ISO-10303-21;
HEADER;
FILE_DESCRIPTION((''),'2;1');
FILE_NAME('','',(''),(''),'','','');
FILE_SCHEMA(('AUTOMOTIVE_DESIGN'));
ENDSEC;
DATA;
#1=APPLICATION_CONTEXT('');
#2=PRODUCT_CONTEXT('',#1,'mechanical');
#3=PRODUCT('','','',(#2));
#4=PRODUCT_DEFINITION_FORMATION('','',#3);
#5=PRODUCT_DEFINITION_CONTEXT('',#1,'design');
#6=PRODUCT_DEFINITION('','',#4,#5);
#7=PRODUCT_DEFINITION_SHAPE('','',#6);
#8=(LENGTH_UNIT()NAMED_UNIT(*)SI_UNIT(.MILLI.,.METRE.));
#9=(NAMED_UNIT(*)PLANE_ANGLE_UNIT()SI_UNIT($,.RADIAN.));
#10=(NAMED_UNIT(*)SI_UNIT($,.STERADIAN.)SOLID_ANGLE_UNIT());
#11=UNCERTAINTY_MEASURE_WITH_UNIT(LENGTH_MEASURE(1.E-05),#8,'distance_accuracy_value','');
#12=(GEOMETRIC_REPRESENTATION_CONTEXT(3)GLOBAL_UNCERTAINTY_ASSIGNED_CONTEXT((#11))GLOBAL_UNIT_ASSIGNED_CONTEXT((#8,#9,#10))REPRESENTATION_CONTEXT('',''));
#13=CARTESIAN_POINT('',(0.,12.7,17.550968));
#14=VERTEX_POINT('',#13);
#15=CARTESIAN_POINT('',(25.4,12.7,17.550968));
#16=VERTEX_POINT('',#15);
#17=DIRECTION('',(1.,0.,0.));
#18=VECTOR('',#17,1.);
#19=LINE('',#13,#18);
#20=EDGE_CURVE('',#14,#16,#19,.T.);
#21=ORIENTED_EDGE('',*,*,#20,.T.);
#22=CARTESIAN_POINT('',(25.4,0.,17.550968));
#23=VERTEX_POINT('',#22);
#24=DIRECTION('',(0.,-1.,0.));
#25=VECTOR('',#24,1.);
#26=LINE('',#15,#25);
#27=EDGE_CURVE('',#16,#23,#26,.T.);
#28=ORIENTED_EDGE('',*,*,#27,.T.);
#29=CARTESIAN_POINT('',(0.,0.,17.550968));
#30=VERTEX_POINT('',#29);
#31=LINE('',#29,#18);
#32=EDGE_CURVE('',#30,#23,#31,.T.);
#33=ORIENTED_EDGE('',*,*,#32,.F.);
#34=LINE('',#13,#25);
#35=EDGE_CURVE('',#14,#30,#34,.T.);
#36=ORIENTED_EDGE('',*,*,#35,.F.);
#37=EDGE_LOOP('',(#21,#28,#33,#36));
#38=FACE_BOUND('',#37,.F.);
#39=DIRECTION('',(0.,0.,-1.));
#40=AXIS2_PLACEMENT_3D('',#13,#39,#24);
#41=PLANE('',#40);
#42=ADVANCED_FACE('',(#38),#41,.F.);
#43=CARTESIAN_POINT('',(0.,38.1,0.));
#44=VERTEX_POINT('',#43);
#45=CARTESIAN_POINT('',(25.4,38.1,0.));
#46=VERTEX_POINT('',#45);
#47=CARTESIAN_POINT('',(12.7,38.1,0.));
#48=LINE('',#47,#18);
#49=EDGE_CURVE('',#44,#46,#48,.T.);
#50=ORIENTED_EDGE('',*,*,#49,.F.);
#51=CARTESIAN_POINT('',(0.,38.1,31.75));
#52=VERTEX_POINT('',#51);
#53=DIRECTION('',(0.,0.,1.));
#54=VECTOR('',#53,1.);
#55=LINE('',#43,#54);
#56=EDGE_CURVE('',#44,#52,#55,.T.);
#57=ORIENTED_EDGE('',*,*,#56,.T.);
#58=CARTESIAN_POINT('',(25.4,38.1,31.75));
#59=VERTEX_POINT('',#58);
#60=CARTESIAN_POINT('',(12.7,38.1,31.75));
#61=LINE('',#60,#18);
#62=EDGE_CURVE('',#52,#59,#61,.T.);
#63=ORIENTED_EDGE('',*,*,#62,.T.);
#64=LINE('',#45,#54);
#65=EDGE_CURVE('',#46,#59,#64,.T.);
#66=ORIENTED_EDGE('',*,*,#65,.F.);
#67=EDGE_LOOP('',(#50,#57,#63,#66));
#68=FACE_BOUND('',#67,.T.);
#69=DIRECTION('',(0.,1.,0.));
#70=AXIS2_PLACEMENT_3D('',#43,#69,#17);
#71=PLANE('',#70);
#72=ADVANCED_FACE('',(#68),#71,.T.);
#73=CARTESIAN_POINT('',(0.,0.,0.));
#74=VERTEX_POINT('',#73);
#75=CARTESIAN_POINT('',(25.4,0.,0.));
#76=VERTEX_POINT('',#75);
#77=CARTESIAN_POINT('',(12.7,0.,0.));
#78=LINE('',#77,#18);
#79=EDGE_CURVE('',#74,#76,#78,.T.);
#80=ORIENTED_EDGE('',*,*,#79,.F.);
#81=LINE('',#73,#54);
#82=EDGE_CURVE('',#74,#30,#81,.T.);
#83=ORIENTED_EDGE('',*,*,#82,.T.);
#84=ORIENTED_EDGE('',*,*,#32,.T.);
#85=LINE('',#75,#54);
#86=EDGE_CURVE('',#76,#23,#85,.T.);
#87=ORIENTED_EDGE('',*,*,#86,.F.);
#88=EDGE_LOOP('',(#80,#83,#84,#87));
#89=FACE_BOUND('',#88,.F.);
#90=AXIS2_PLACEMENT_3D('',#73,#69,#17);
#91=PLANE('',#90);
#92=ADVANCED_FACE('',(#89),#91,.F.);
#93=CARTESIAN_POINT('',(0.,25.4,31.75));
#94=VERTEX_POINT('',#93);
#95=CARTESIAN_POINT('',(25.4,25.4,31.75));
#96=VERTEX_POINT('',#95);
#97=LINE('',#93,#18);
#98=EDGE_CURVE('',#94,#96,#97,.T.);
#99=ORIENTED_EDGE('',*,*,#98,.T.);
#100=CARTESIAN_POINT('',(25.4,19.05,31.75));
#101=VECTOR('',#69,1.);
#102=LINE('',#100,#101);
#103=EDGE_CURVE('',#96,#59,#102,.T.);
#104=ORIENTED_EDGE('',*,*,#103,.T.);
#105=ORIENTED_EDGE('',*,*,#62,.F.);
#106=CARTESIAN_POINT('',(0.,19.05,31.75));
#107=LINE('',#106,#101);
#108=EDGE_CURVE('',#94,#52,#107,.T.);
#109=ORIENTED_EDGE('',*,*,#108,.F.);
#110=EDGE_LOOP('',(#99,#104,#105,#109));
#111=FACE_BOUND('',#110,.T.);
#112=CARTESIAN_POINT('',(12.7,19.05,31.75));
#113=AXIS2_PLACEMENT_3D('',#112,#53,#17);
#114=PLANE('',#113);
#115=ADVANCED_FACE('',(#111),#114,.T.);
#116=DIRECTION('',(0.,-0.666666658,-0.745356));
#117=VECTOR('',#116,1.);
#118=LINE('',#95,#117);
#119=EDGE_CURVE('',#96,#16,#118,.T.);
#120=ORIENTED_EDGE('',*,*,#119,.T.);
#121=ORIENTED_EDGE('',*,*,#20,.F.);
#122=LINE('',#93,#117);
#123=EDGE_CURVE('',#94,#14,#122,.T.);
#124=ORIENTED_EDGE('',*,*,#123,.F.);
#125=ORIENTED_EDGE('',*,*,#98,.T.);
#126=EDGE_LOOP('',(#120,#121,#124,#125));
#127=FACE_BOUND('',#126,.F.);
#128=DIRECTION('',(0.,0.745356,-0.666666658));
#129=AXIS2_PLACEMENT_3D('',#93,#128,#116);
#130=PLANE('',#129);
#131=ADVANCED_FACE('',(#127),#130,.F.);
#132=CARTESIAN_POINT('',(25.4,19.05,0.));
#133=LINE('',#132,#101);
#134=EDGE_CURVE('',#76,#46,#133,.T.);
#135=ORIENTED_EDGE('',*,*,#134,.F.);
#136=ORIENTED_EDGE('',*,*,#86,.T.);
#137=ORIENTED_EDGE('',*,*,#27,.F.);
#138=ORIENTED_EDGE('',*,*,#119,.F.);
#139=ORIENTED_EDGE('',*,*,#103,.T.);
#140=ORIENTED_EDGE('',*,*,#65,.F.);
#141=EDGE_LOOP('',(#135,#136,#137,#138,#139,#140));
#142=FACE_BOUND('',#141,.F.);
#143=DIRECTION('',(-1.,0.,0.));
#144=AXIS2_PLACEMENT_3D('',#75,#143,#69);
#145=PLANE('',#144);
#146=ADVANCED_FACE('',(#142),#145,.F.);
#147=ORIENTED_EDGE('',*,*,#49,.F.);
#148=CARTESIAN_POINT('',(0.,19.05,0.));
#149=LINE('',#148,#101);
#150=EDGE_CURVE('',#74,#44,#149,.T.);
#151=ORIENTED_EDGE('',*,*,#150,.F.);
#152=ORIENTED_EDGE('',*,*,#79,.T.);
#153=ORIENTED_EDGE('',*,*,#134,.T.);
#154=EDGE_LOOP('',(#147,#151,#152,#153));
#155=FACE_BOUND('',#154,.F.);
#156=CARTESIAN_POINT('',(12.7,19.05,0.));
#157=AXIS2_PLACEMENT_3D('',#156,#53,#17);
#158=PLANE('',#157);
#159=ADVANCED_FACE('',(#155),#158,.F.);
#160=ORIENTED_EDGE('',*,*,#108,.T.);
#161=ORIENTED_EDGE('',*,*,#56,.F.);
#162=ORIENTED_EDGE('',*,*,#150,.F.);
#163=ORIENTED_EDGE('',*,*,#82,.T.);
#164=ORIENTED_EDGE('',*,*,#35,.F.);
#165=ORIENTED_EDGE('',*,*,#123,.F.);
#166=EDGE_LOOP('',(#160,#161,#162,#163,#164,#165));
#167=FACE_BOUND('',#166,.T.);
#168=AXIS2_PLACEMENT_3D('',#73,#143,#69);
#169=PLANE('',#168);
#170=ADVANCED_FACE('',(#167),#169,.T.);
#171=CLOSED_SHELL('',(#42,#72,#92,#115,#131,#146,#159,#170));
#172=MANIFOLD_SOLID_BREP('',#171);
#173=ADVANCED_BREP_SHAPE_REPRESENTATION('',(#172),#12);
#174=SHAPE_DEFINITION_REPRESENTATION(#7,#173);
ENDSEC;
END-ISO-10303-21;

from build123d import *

# Parameters (mm, degrees)
F0_W     = 25.4
F0_H     = 38.1
F1_DEPTH = 31.75
F3_DEPTH = 25.4


with BuildPart() as f1:
    # F0 (on Top) → F1 (new body)
    with BuildSketch(Plane.XY):
        with Locations((12.7, 19.05)):
            Rectangle(F0_W, F0_H)
    extrude(amount=F1_DEPTH)

    # F2 (on face) → F3 (cut)
    with BuildSketch(Plane(origin=(0, 0, 0), x_dir=(0, -1, 0), z_dir=(-1, 0, 0))):
        Polygon((0, 31.75), (-25.4, 31.75), (-12.7, 17.550968), (0, 17.550968), align=None)
    extrude(amount=-F3_DEPTH, mode=Mode.SUBTRACT)


solid = f1.part
